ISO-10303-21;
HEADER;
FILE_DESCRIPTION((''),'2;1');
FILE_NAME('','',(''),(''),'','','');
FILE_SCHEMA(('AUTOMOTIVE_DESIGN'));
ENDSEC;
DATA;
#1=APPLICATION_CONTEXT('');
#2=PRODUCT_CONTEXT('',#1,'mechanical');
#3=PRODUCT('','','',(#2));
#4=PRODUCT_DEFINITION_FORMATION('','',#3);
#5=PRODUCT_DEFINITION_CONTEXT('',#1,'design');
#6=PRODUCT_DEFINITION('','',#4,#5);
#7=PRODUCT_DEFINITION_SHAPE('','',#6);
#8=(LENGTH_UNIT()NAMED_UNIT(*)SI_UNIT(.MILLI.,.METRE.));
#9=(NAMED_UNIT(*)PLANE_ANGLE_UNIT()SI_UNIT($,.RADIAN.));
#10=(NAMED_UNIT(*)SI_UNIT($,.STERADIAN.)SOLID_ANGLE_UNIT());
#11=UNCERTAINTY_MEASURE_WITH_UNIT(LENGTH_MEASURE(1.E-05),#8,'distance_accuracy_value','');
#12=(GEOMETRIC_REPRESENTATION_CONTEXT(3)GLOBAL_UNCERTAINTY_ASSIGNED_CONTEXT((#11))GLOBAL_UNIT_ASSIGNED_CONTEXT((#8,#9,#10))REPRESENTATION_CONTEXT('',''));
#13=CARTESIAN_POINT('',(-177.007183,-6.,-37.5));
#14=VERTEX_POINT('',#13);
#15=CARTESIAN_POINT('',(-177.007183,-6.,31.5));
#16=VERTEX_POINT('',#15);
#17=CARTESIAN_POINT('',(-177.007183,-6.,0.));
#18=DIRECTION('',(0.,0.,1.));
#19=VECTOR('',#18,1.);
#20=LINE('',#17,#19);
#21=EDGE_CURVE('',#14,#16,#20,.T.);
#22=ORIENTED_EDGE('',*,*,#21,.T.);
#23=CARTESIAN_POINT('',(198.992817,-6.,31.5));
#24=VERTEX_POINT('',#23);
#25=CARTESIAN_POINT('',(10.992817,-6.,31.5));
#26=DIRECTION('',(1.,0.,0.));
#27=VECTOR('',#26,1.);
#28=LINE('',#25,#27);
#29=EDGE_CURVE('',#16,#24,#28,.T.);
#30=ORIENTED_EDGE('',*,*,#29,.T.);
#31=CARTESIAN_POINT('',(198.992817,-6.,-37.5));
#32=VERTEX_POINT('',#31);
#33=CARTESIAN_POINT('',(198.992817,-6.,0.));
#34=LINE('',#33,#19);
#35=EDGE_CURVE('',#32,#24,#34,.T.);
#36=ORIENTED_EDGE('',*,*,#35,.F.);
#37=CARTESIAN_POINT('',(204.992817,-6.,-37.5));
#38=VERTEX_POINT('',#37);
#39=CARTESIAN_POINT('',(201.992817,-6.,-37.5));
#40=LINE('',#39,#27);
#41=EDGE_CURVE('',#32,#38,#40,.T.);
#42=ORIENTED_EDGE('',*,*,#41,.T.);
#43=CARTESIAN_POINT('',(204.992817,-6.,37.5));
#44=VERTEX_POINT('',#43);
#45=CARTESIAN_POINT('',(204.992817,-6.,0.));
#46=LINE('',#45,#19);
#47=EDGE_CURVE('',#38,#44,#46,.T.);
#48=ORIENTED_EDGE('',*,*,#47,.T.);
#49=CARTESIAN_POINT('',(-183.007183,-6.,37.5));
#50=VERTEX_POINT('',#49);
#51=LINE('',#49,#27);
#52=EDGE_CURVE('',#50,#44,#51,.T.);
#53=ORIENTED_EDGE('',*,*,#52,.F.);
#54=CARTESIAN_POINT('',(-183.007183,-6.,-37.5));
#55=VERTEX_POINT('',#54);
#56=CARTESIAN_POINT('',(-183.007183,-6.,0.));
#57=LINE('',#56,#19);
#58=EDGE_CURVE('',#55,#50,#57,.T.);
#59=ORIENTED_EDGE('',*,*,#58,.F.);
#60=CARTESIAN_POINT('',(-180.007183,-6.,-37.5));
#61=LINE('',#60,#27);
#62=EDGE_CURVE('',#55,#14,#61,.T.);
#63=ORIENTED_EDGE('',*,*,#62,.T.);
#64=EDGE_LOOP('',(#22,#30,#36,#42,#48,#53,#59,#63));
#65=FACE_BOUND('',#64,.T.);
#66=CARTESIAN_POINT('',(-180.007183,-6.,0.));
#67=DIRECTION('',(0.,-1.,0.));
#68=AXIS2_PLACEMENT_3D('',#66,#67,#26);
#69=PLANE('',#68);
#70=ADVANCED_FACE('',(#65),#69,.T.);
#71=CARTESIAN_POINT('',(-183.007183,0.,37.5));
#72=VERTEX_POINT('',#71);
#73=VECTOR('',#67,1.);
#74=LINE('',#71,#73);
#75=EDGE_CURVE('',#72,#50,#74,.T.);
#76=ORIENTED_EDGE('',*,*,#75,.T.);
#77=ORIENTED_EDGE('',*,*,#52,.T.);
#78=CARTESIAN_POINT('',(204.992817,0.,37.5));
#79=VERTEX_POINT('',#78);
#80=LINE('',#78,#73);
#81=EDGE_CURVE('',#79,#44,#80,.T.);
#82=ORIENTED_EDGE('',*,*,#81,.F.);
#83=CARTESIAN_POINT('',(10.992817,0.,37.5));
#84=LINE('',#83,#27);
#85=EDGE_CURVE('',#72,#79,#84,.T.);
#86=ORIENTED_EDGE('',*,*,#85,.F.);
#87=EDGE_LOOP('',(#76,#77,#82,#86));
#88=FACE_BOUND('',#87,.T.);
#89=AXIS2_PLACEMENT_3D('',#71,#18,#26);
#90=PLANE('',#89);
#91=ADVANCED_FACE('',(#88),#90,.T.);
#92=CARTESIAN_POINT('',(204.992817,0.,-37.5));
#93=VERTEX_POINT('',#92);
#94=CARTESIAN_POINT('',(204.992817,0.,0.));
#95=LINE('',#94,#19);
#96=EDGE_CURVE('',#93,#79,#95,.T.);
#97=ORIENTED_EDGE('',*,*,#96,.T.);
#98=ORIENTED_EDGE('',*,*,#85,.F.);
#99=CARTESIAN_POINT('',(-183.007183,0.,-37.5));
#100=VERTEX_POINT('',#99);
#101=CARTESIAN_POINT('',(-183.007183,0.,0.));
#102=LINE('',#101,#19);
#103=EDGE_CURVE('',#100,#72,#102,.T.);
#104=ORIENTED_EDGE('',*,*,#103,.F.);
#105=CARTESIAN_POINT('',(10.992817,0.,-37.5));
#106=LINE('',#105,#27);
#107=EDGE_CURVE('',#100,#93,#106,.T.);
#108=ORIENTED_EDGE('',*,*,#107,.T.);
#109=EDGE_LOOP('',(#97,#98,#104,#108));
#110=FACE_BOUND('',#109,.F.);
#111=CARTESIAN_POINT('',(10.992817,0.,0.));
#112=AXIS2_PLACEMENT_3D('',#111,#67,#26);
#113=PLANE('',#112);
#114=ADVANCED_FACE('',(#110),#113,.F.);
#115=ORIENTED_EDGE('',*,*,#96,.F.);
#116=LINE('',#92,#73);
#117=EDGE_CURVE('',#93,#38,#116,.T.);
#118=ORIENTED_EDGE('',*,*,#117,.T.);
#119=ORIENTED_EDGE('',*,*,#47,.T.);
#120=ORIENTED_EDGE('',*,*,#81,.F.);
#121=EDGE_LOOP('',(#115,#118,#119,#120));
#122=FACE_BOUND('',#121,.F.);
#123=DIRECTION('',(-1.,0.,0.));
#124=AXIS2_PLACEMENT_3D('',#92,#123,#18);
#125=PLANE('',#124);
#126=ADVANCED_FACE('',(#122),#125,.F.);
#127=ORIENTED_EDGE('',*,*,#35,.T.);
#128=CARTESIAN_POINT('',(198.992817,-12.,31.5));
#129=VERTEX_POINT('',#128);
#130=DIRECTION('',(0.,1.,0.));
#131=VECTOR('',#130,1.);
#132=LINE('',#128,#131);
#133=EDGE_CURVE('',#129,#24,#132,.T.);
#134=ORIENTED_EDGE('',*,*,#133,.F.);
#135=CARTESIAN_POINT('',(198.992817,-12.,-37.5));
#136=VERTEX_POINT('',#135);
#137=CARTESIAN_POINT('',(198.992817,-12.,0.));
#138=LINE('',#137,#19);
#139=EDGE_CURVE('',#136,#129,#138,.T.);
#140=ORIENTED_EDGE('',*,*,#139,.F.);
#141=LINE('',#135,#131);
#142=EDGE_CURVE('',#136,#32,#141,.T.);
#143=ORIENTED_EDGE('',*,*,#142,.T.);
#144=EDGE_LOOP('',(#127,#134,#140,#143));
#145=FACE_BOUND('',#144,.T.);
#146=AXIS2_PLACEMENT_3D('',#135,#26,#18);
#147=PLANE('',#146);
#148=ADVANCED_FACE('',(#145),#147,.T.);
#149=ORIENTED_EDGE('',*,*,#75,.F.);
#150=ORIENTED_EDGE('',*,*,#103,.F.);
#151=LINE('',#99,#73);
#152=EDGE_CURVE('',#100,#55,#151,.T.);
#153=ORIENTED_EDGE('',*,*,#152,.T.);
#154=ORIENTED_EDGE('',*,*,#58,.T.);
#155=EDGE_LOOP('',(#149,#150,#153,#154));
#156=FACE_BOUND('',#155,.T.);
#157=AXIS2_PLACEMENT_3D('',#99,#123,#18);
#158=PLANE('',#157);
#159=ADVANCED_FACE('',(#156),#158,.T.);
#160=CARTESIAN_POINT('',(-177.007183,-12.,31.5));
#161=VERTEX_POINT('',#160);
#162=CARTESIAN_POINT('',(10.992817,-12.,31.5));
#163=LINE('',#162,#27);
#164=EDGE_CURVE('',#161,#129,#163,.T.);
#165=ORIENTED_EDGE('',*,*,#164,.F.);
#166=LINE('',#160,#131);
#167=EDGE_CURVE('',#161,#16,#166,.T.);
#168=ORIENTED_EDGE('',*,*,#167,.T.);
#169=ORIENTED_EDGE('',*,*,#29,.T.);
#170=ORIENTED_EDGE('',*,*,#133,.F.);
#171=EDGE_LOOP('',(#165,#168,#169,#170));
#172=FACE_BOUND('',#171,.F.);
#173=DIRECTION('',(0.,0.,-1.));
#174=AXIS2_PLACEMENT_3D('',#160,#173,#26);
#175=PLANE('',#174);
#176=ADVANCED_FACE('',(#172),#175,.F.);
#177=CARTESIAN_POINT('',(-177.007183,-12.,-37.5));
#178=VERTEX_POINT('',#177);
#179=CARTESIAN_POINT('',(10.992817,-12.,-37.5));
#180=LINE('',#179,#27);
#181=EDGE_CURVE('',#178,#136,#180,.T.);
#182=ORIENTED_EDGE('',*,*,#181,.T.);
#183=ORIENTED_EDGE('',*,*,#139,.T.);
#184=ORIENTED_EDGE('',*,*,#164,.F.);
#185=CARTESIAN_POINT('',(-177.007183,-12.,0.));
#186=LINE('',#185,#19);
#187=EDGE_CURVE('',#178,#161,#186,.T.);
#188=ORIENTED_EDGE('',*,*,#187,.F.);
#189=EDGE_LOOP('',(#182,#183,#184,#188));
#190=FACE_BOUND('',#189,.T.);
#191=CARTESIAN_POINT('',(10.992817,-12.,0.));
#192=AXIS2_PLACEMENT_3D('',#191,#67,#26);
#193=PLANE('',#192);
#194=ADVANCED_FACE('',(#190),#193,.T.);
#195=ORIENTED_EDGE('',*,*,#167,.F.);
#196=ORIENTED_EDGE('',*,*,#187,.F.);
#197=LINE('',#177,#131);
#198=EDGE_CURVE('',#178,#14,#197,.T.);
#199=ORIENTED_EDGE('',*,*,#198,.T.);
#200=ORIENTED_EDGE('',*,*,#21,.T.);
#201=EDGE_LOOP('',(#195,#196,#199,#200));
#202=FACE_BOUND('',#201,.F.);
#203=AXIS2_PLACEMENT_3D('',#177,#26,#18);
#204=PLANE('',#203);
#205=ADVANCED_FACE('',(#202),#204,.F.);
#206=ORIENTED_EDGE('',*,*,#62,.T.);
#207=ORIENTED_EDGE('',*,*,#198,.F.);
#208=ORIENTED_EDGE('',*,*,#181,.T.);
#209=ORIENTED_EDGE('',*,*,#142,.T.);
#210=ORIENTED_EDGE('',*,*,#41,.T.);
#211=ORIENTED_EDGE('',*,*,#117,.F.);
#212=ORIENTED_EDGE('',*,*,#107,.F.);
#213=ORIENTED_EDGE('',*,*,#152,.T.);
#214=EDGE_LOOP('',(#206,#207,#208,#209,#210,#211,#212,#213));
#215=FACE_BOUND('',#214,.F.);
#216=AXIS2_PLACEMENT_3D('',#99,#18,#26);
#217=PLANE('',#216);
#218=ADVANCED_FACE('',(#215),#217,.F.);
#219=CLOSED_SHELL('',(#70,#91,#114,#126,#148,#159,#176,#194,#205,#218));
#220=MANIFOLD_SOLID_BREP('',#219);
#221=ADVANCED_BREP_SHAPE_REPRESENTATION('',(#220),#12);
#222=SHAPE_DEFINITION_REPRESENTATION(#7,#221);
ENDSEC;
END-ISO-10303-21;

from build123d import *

# Parameters (mm, degrees)
F0_W     = 388
F0_H     = 75
F1_DEPTH = 12
F2_W     = 6
F2_H     = 75
F3_DEPTH = 6
F4_W     = 6
F4_H     = 75
F5_DEPTH = 6
F6_W     = 376
F6_H     = 6
F7_DEPTH = 6


with BuildPart() as f1:
    # F0 (on Front) → F1 (new body)
    with BuildSketch(Plane.XZ):
        with Locations((10.992817, 0)):
            Rectangle(F0_W, F0_H)
    extrude(amount=F1_DEPTH)

    # F2 (on face) → F3 (cut)
    with BuildSketch(Plane.XZ.offset(12)):
        with Locations((-180.007183, 0)):
            Rectangle(F2_W, F2_H)
    extrude(amount=-F3_DEPTH, mode=Mode.SUBTRACT)

    # F4 (on face) → F5 (cut)
    with BuildSketch(Plane.XZ.offset(12)):
        with Locations((201.992817, 0)):
            Rectangle(F4_W, F4_H)
    extrude(amount=-F5_DEPTH, mode=Mode.SUBTRACT)

    # F6 (on face) → F7 (cut)
    with BuildSketch(Plane.XZ.offset(12)):
        with Locations((10.992817, 34.5)):
            Rectangle(F6_W, F6_H)
    extrude(amount=-F7_DEPTH, mode=Mode.SUBTRACT)


solid = f1.part
